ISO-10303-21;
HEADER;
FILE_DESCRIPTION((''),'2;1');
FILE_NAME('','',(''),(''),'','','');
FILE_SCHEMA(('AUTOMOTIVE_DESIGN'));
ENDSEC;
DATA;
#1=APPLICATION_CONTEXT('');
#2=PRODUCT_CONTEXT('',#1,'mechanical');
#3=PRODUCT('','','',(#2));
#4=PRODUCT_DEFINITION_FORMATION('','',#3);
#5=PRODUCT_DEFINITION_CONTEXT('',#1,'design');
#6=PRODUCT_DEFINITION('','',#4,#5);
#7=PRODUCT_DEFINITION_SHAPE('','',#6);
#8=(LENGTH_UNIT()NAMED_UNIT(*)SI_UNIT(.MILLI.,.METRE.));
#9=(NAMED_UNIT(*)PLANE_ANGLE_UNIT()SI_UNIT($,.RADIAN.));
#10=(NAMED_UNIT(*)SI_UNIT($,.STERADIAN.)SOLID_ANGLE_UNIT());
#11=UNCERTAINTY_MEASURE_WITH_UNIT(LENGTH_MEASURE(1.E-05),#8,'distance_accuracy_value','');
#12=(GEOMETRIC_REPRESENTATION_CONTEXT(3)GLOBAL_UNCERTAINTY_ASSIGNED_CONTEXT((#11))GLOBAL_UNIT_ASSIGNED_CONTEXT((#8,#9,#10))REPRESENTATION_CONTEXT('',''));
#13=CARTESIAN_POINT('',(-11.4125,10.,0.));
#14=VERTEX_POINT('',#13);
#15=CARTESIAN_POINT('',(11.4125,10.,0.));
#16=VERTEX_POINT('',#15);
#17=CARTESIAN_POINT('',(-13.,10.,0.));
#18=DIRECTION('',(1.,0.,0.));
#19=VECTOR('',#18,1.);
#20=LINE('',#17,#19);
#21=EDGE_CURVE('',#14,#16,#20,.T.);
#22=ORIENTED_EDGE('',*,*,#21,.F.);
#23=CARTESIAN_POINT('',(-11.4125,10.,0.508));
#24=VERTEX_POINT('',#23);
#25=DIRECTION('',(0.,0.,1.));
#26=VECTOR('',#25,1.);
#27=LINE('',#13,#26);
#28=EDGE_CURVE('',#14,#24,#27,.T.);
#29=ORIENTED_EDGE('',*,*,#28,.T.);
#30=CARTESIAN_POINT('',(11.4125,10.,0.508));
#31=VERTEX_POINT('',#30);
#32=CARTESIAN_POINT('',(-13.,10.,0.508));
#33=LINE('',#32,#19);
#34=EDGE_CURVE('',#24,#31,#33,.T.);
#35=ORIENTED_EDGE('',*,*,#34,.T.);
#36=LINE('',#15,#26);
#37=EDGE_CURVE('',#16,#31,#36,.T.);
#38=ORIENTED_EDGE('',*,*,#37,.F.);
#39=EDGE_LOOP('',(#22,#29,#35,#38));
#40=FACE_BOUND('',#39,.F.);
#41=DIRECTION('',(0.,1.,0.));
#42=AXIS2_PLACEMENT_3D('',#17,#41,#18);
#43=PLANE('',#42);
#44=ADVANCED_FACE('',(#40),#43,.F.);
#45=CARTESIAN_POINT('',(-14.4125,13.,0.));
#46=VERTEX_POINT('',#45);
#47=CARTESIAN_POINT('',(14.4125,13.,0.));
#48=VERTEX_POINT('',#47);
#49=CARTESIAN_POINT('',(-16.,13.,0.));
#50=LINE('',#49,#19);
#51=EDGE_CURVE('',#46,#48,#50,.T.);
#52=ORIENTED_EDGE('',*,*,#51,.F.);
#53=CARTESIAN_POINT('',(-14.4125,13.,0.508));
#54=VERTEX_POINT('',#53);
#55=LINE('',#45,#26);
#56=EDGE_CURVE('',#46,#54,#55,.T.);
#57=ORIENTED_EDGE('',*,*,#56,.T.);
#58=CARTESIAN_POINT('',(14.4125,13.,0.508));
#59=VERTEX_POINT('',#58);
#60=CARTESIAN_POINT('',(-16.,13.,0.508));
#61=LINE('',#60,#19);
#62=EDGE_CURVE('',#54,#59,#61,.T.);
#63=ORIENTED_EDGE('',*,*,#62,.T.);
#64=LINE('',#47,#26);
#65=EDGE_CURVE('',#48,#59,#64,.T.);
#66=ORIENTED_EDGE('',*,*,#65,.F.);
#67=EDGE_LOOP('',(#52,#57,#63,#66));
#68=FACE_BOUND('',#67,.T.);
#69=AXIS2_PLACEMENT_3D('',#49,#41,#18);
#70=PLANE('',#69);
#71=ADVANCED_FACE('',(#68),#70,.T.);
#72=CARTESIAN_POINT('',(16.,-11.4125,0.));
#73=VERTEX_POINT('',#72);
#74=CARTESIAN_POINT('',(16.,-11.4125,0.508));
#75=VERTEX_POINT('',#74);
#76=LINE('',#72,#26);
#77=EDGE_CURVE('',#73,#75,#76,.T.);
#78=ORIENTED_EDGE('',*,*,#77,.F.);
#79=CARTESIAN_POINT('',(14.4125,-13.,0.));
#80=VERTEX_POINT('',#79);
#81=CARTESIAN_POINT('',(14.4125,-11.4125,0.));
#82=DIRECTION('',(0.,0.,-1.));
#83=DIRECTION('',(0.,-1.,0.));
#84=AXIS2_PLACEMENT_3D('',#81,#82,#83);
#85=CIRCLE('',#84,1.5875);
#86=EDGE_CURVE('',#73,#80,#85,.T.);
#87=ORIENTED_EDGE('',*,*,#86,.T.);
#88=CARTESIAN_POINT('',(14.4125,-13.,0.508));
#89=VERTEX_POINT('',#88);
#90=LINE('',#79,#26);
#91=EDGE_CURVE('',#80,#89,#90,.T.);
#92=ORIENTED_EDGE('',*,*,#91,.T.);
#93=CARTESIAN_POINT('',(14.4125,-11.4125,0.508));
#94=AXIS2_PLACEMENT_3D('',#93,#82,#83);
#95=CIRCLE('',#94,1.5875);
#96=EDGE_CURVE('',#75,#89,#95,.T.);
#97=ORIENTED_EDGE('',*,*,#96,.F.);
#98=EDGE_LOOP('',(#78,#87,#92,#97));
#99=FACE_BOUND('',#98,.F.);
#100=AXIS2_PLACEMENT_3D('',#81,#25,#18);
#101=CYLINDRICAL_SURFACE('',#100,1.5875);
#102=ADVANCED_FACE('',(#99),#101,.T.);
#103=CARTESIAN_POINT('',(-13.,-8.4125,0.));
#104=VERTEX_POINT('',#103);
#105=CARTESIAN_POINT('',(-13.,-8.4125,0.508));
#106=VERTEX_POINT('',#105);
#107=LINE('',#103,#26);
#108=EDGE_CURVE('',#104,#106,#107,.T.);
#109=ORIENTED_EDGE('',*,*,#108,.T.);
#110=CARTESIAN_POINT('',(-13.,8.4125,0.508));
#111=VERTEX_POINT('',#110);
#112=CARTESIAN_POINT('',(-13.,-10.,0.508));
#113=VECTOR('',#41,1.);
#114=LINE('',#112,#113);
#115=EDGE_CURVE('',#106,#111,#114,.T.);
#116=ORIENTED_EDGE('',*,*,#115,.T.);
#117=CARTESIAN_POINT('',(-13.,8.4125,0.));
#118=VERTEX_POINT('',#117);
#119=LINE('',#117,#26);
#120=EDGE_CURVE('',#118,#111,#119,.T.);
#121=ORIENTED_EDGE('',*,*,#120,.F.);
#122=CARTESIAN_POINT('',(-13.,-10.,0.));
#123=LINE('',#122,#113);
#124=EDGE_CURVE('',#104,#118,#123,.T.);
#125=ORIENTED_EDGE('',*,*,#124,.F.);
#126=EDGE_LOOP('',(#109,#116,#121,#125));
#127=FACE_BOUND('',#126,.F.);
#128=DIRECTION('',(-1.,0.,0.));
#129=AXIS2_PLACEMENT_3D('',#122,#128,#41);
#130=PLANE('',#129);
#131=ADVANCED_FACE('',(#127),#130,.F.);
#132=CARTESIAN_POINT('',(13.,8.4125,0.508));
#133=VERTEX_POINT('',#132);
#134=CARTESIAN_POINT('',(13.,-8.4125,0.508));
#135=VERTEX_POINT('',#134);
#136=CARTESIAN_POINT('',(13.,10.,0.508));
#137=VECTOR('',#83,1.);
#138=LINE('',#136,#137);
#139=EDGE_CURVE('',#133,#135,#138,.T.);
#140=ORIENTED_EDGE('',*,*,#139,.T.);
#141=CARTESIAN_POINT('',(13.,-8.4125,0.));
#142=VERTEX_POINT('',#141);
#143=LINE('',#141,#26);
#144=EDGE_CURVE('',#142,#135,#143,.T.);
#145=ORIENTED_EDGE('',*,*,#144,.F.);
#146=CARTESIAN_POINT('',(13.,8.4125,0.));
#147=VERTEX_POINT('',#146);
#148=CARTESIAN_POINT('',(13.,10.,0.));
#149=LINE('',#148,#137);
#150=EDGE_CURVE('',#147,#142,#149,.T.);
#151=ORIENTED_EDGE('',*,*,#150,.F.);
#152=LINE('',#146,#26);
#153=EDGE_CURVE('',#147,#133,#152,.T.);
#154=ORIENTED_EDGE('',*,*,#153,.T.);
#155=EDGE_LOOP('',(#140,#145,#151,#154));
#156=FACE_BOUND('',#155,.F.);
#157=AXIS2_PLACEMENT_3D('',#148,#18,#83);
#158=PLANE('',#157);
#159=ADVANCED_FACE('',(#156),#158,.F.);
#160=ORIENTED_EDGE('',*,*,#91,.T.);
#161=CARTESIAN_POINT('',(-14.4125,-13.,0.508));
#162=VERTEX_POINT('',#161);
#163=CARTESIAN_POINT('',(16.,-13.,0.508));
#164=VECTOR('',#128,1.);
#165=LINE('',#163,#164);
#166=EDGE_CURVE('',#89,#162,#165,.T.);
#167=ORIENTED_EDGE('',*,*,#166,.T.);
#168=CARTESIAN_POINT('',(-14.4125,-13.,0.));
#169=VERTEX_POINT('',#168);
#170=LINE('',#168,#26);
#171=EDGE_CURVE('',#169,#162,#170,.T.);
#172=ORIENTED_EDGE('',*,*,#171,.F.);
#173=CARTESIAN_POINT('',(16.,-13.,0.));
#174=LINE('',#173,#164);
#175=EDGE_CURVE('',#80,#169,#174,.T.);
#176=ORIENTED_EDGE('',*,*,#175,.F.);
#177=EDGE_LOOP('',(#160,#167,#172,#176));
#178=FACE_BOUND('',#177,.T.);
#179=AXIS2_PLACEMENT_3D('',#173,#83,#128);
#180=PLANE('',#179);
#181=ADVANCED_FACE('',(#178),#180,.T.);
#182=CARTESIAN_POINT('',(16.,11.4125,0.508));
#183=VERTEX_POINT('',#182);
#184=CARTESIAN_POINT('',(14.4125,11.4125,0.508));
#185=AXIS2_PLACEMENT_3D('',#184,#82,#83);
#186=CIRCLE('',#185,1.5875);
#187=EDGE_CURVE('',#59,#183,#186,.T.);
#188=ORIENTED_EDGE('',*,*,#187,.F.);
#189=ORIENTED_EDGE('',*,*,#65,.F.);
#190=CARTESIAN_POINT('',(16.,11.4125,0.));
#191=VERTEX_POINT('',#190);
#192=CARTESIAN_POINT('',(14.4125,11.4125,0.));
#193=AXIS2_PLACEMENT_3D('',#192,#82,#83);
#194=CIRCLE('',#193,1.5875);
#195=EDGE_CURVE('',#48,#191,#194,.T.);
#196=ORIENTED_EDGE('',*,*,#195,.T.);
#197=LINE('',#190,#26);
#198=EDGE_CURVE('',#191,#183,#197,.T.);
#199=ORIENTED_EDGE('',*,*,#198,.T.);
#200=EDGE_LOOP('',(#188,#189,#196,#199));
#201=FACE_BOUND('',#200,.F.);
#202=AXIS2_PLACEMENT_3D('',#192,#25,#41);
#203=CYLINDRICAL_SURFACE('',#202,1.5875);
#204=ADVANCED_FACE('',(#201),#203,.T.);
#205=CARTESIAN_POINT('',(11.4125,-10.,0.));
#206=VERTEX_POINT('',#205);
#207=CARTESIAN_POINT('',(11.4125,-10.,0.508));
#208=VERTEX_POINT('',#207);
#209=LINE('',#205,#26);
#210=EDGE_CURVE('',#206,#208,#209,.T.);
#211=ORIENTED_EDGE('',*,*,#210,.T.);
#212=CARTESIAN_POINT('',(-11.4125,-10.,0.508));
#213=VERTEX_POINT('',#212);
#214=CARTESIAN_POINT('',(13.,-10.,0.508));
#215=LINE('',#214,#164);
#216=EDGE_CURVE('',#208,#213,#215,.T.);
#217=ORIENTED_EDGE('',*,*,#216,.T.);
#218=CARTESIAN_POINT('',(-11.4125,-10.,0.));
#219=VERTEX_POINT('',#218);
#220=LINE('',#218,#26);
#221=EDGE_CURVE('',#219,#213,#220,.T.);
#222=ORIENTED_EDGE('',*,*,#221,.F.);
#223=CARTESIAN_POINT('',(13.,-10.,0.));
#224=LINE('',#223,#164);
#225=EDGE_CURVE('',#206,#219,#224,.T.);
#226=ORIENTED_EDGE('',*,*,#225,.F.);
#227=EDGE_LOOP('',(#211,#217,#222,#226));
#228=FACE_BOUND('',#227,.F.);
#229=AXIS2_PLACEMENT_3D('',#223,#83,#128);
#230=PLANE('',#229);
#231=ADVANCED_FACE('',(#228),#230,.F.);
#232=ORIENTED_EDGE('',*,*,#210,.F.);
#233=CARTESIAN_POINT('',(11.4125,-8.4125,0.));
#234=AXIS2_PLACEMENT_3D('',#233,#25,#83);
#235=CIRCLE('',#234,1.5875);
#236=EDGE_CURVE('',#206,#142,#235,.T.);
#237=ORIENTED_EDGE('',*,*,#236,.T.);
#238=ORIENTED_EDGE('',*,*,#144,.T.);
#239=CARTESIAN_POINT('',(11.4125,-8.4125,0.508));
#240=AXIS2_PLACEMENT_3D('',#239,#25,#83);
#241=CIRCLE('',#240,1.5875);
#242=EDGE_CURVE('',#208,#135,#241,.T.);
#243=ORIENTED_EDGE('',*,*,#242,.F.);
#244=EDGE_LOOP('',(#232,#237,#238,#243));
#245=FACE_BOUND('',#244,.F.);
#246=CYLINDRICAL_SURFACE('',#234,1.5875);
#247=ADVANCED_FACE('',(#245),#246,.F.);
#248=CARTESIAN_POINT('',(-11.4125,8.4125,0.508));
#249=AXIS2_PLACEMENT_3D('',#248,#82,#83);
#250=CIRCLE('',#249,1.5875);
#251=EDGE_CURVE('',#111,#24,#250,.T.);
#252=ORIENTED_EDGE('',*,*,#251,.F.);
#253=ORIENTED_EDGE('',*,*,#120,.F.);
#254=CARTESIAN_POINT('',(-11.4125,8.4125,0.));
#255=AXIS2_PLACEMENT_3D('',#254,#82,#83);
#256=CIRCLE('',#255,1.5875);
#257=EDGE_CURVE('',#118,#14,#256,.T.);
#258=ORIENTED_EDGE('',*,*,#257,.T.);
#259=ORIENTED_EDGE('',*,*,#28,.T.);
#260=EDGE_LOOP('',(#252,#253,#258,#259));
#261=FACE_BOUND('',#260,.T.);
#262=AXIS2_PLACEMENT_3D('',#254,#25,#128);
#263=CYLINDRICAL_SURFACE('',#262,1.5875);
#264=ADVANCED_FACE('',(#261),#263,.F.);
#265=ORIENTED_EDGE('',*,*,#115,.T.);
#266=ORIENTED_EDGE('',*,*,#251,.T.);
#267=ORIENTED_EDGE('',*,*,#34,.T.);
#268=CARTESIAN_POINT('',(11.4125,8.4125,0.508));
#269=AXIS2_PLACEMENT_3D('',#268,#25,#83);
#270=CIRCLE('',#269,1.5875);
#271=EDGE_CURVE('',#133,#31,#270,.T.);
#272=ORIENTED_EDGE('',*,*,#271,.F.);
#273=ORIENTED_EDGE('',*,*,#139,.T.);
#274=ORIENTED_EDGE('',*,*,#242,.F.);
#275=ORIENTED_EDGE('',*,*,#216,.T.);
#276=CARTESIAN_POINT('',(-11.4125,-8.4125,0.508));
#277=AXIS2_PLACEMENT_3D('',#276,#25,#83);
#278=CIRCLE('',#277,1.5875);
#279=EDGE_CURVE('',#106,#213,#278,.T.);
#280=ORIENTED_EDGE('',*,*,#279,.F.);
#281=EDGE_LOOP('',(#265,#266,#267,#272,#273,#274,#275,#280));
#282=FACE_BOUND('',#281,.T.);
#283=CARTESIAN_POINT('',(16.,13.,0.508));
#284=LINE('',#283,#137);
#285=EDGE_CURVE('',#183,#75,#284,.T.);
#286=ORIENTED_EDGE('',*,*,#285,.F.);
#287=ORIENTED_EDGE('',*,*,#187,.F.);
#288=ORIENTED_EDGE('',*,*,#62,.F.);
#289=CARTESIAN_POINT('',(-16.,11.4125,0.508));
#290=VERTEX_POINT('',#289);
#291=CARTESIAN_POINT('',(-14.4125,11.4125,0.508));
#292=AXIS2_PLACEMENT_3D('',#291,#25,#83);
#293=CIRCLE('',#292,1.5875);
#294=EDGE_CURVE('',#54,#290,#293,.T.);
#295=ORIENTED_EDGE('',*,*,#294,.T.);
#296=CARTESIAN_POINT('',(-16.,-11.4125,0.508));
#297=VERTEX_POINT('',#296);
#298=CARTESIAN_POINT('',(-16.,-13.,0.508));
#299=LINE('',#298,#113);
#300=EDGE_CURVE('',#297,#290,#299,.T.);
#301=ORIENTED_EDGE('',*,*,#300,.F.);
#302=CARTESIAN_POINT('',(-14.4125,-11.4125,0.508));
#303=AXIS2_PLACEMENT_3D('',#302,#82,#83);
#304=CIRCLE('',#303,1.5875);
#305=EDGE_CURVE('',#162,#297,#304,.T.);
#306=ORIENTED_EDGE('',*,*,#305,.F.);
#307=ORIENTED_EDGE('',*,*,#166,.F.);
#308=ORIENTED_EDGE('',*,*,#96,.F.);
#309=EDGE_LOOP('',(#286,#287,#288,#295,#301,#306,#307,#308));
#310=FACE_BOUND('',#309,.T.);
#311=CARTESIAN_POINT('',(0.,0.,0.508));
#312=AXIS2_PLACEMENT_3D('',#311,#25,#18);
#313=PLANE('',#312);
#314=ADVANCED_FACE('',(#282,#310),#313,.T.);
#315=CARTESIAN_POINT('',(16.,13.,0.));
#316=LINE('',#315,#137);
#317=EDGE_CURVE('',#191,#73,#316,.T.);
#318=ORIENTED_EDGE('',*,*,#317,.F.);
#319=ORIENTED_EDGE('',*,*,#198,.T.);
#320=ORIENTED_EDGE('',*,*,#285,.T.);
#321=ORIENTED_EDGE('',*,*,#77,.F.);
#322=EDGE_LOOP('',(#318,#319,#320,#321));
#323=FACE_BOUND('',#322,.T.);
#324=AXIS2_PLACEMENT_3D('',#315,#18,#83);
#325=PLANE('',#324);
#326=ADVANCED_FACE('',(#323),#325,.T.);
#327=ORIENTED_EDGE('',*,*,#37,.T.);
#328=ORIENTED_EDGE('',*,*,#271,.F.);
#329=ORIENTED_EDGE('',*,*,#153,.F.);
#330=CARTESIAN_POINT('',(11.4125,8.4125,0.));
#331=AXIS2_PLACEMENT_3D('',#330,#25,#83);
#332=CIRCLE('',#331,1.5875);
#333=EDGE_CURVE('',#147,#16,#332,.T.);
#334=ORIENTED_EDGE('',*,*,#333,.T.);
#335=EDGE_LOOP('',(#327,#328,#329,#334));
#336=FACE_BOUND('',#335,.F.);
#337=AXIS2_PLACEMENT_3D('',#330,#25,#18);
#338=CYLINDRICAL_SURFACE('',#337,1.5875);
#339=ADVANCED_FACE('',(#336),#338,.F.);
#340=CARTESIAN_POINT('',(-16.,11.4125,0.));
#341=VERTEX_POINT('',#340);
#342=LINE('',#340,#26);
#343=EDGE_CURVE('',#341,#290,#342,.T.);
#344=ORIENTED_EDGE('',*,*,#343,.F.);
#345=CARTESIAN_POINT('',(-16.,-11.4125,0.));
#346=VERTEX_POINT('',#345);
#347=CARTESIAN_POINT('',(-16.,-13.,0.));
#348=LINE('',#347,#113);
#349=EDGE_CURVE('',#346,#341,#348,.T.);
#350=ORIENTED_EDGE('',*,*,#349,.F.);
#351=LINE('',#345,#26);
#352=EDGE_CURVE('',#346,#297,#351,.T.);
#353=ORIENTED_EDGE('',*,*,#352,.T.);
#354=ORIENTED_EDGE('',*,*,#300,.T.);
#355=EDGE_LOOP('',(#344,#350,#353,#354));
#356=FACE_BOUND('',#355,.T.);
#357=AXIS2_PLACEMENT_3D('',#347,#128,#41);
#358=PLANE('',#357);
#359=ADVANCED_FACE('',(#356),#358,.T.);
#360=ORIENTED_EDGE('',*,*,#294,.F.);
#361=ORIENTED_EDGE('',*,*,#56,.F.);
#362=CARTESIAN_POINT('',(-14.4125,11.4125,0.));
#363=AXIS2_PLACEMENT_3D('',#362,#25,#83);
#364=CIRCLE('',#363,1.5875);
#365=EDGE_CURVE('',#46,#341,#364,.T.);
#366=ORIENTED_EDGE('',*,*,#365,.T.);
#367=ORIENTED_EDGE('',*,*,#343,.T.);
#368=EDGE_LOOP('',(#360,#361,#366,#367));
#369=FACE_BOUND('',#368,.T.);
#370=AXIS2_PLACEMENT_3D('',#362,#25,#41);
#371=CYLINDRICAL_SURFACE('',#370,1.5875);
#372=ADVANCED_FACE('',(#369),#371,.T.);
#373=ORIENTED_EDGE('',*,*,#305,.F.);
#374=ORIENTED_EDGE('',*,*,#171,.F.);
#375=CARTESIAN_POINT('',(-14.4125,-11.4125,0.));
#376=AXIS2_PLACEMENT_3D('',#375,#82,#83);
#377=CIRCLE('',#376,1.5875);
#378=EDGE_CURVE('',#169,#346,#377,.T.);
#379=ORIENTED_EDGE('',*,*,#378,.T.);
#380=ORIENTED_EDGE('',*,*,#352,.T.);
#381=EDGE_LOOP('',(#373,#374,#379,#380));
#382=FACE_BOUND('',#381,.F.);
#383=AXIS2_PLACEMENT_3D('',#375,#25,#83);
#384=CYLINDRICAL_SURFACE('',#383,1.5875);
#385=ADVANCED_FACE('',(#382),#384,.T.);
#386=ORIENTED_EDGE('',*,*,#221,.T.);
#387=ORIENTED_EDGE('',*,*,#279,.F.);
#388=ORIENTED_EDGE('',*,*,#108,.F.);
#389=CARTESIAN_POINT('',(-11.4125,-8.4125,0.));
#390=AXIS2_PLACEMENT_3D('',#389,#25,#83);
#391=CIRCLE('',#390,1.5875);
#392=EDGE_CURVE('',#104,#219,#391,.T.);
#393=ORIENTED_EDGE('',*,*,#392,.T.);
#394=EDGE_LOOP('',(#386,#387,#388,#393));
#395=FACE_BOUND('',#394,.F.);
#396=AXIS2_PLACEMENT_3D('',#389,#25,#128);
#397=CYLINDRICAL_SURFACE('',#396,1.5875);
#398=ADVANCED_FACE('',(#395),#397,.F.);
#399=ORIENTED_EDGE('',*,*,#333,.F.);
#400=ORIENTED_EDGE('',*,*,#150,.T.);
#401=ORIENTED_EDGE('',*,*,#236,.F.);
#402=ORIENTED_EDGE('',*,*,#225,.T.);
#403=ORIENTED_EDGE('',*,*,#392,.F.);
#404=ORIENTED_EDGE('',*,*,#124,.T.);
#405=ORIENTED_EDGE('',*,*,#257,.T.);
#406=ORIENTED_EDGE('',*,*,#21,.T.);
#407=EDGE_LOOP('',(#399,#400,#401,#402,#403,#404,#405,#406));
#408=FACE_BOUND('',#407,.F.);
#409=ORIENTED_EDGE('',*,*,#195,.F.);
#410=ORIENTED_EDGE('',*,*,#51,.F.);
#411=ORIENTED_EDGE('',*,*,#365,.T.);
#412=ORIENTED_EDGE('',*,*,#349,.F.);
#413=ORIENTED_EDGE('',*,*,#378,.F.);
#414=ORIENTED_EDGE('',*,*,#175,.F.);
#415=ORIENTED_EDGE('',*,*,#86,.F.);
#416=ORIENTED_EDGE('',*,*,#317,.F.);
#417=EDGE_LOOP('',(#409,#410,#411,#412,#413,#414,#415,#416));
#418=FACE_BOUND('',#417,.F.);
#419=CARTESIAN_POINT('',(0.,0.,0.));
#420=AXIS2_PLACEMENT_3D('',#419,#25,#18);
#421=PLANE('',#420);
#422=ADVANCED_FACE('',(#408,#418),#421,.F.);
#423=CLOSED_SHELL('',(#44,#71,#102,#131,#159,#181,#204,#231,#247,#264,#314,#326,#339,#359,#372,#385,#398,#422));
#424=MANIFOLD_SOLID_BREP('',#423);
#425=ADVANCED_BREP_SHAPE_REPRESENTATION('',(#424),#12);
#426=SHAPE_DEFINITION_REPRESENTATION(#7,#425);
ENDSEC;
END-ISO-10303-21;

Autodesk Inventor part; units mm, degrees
ref_plane "YZ Plane" through (0, 0, 0) normal (1, 0, 0) x (0, 1, 0)
ref_plane "XZ Plane" through (0, 0, 0) normal (0, 1, 0) x (-1, 0, 0)
ref_plane "XY Plane" through (0, 0, 0) normal (0, 0, 1) x (1, 0, 0)
sketch "Sketch1" plane through (0, 0, 0) normal (0, 0, 1) x (1, 0, 0)
  line L0 (-13, 10) -> (13, 10)
  line L1 (13, 10) -> (13, -10)
  line L2 (13, -10) -> (-13, -10)
  line L3 (-13, -10) -> (-13, 10)
  line L4 (-13, 10) -> (13, -10) construction
  line L5 (13, 10) -> (-13, -10) construction
  line L6 (-16, 13) -> (16, 13)
  line L7 (16, 13) -> (16, -13)
  line L8 (16, -13) -> (-16, -13)
  line L9 (-16, -13) -> (-16, 13)
  line L10 (-16, 13) -> (16, -13) construction
  line L11 (16, 13) -> (-16, -13) construction
  point P0 (0, 0)
  dimension "d0" = 26
  dimension "d1" = 20
  dimension "d2" = 3
  dimension "d3" = 3
extrude "Extrusion1" add sketch "Sketch1" along normal blind 0.508
fillet "Fillet1" radius 1.5875 8 edges at (-13, 10, 0.254) (-13, -10, 0.254) (13, -10, 0.254) (13, 10, 0.254) (16, -13, 0.254) (16, 13, 0.254) (-16, 13, 0.254) (-16, -13, 0.254)
properties part number "Display Bezel" material "Aluminum 6061"
